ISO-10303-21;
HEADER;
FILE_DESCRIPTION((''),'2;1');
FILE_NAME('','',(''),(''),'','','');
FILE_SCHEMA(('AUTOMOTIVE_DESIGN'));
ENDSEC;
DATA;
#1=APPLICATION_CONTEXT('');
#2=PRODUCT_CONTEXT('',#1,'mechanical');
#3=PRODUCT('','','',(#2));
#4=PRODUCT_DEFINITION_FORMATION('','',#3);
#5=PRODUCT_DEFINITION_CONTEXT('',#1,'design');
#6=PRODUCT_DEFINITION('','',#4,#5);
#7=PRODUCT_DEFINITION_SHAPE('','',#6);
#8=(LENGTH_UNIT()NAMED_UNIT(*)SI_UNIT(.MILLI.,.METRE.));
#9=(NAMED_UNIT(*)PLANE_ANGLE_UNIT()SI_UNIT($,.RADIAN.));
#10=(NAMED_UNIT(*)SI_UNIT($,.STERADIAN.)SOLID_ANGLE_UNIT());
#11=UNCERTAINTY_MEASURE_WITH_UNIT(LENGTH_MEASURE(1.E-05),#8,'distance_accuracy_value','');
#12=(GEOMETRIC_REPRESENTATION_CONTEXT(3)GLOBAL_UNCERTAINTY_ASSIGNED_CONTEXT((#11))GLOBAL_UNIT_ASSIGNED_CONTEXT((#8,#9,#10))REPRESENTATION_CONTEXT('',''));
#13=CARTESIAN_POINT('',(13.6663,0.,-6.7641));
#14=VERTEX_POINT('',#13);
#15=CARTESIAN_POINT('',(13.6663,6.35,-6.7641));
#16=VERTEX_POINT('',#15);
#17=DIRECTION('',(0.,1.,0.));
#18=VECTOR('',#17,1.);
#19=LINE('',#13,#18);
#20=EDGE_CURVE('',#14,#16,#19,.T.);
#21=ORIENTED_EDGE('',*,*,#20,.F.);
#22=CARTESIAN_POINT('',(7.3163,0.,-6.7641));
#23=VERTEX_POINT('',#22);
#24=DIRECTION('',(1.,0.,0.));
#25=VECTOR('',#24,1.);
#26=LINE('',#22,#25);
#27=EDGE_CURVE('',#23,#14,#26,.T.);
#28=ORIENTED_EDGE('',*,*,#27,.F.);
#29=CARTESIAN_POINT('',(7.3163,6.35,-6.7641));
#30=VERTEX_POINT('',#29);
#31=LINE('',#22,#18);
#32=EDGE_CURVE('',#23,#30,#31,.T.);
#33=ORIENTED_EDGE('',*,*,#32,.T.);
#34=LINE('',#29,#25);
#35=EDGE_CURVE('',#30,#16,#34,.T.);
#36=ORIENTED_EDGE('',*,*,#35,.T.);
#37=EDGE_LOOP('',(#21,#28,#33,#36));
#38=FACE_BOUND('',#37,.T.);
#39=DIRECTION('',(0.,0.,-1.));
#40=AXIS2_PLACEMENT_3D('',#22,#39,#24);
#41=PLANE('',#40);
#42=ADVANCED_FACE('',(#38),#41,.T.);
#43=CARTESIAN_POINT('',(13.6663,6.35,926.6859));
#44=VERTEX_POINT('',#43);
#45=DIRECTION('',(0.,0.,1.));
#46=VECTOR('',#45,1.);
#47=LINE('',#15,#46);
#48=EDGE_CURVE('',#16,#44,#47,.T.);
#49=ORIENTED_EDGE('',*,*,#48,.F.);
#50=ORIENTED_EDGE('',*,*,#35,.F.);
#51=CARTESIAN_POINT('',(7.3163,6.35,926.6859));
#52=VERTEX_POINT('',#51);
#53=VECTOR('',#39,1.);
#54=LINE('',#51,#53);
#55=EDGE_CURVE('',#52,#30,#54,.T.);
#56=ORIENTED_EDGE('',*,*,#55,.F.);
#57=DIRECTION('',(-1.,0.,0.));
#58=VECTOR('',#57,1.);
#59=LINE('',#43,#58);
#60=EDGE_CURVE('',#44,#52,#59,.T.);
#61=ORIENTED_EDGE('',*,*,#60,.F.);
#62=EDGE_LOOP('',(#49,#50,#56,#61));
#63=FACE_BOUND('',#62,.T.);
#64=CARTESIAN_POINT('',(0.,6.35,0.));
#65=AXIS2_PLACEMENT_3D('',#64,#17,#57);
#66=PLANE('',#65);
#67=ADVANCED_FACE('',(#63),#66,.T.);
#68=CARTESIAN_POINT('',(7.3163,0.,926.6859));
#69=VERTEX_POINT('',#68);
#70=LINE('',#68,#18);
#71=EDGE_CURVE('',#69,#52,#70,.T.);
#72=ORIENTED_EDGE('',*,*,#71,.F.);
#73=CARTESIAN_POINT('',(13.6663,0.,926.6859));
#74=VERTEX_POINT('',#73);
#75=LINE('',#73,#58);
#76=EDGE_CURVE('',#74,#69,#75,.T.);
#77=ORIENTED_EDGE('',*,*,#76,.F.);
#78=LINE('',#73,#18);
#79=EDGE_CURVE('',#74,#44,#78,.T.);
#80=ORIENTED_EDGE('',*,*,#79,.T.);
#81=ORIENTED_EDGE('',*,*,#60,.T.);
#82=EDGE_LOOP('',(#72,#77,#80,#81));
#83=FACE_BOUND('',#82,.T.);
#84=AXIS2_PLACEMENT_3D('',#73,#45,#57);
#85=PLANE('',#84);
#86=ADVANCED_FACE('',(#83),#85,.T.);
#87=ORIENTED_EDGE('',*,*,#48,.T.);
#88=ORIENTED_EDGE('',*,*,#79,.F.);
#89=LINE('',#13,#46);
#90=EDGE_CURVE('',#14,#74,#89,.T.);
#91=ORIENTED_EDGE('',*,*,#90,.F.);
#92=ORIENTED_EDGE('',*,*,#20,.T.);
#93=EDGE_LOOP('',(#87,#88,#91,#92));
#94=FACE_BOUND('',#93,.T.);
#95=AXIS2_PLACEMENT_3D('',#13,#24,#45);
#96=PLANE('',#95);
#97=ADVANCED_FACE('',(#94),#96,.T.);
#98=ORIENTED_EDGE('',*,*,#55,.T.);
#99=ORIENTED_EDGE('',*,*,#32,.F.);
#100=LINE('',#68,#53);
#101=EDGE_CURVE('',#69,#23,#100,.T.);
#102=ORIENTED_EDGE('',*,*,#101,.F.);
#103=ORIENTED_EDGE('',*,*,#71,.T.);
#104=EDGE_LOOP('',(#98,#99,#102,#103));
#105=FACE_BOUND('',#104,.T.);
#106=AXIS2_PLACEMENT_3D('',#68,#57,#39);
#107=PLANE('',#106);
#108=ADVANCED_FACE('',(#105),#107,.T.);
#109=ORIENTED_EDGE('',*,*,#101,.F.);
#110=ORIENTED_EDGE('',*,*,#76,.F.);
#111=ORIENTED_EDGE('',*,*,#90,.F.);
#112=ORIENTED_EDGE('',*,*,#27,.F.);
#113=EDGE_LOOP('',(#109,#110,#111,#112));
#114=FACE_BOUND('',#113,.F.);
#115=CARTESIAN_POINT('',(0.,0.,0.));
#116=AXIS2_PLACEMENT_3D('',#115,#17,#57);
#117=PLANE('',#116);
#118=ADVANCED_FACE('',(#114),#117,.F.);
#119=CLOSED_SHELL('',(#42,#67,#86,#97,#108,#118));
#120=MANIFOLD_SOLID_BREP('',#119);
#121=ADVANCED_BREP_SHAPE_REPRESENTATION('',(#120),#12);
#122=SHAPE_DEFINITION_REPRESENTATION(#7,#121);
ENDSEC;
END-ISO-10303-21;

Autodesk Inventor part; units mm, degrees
ref_plane "YZ Plane" through (0, 0, 0) normal (1, 0, 0) x (0, 1, 0)
ref_plane "XZ Plane" through (0, 0, 0) normal (0, 1, 0) x (-1, 0, 0)
ref_plane "XY Plane" through (0, 0, 0) normal (0, 0, 1) x (1, 0, 0)
sketch "Sketch1" plane through (0, 0, 0) normal (0, 1, 0) x (-1, 0, 0)
  line L0 (-13.6663, 926.6859) -> (-7.3163, 926.6859)
  line L1 (-7.3163, 926.6859) -> (-7.3163, -6.7641)
  line L2 (-7.3163, -6.7641) -> (-13.6663, -6.7641)
  line L3 (-13.6663, -6.7641) -> (-13.6663, 926.6859)
  point P0 (0, 0)
  dimension "d0" = 6.35
  dimension "d1" = 933.45
extrude "Extrusion1" add sketch "Sketch1" along normal blind 6.35
properties part number "Lower Goal Longer"
